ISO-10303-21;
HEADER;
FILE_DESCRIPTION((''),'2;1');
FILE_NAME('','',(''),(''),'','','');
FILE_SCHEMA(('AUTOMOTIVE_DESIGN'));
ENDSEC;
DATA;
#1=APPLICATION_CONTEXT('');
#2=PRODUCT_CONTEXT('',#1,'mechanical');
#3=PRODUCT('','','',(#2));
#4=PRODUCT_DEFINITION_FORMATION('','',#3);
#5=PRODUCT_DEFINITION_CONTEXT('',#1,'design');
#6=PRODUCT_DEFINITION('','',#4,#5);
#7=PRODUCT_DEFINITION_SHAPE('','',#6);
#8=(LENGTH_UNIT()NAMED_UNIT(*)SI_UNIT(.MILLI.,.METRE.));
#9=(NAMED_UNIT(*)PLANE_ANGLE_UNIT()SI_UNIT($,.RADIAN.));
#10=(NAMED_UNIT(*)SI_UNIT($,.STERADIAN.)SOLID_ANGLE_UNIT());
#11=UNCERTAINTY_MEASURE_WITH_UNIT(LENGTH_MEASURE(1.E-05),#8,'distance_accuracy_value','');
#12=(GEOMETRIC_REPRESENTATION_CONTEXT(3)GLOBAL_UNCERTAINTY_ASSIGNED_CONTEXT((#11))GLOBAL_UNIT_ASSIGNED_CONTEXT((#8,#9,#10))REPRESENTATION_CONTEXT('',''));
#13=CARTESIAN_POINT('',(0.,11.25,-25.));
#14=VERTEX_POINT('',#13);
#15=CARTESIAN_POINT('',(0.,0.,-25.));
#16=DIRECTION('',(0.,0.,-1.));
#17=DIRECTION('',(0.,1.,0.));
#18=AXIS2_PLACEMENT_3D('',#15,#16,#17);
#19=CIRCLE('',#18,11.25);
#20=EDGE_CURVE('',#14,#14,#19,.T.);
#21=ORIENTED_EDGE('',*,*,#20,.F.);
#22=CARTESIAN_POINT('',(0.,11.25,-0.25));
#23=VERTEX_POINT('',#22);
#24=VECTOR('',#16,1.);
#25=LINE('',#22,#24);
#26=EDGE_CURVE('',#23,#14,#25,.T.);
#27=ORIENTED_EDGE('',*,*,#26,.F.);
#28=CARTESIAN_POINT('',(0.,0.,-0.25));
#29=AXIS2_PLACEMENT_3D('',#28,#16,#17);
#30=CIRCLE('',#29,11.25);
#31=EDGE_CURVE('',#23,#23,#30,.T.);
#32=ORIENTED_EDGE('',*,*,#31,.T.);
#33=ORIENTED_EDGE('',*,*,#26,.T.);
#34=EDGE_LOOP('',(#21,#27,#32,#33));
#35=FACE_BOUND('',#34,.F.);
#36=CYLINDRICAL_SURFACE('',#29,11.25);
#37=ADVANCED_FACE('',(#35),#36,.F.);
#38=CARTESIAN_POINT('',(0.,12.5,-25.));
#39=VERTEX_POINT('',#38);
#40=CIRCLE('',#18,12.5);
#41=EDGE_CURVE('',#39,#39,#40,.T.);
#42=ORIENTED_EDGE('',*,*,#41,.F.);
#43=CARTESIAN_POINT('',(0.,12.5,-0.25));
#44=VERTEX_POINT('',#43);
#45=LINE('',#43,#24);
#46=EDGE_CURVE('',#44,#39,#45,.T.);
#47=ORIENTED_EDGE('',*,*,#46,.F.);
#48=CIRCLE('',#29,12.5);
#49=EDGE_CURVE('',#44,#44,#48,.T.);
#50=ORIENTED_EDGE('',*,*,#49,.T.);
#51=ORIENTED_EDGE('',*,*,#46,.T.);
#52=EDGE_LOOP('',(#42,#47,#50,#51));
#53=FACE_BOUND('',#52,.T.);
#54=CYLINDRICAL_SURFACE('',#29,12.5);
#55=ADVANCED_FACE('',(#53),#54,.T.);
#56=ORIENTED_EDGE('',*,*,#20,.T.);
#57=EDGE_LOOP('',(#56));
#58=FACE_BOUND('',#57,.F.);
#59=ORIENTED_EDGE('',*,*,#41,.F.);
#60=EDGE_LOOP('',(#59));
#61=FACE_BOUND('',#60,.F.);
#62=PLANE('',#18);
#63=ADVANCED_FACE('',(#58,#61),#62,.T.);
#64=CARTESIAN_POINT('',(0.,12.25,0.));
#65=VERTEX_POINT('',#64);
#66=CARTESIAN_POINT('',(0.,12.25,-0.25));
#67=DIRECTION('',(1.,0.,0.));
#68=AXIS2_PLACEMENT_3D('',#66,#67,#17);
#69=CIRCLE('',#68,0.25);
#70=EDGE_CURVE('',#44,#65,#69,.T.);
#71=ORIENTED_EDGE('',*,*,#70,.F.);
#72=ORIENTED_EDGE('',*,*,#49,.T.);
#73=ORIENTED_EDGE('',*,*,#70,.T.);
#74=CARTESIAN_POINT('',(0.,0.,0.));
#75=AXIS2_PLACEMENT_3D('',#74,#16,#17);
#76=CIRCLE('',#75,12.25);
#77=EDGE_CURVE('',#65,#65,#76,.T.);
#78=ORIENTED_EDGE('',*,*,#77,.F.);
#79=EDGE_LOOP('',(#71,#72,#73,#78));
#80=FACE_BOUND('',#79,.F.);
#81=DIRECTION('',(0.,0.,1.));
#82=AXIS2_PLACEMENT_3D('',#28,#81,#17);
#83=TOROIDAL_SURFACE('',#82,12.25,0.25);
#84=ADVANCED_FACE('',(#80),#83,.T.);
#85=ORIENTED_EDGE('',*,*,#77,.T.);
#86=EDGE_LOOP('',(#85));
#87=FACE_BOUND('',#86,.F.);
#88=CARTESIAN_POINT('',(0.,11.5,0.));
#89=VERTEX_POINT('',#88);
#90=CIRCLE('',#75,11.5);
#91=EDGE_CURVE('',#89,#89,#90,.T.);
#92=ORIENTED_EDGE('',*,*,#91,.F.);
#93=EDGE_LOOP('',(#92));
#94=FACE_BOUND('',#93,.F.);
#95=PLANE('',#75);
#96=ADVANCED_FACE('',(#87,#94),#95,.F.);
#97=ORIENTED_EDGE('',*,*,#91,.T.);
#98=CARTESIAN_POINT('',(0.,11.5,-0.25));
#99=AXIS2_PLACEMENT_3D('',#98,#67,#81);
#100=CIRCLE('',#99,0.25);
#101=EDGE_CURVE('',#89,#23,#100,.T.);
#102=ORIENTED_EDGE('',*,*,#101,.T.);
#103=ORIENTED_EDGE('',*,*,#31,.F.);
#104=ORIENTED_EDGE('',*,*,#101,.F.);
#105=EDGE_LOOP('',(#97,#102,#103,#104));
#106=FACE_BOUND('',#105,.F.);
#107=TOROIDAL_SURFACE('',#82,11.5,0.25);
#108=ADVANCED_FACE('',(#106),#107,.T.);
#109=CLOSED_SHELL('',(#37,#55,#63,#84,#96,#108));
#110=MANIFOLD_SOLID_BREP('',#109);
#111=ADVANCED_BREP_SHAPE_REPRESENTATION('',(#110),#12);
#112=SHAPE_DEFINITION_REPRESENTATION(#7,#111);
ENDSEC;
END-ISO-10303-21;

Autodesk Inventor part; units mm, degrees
ref_plane "YZ Plane" through (0, 0, 0) normal (1, 0, 0) x (0, 1, 0)
ref_plane "XZ Plane" through (0, 0, 0) normal (0, 1, 0) x (-1, 0, 0)
ref_plane "XY Plane" through (0, 0, 0) normal (0, 0, 1) x (1, 0, 0)
sketch "Esquisse1" plane through (0, 0, 0) normal (1, 0, 0) x (0, 1, 0)
  line L0 (0, 0) -> (0, -39.3305)
  line L1 (12.5, -0.25) -> (12.5, -25)
  line L2 (12.25, 0) -> (11.5, 0)
  line L3 (11.25, -0.25) -> (11.25, -25)
  arc A0 (11.5, 0) -> (11.25, -0.25) centre (11.5, -0.25) ccw
  arc A1 (12.5, -0.25) -> (12.25, 0) centre (12.25, -0.25) ccw
  line L4 (11, -0.25) -> (11, -25) construction
  line L5 (11.25, -25) -> (12.5, -25)
  dimension "d0" = 25
  dimension "d2" = 0.25
  dimension "d3" = 0.25
  dimension "d5" = 0.25
  dimension "d6" = 22
  dimension "d7" = 25
revolve "Révolution1" add sketch "Esquisse1" angle 360 about axis through (0, 0, 0) along (0, 0, -1)
properties part number "douille"
